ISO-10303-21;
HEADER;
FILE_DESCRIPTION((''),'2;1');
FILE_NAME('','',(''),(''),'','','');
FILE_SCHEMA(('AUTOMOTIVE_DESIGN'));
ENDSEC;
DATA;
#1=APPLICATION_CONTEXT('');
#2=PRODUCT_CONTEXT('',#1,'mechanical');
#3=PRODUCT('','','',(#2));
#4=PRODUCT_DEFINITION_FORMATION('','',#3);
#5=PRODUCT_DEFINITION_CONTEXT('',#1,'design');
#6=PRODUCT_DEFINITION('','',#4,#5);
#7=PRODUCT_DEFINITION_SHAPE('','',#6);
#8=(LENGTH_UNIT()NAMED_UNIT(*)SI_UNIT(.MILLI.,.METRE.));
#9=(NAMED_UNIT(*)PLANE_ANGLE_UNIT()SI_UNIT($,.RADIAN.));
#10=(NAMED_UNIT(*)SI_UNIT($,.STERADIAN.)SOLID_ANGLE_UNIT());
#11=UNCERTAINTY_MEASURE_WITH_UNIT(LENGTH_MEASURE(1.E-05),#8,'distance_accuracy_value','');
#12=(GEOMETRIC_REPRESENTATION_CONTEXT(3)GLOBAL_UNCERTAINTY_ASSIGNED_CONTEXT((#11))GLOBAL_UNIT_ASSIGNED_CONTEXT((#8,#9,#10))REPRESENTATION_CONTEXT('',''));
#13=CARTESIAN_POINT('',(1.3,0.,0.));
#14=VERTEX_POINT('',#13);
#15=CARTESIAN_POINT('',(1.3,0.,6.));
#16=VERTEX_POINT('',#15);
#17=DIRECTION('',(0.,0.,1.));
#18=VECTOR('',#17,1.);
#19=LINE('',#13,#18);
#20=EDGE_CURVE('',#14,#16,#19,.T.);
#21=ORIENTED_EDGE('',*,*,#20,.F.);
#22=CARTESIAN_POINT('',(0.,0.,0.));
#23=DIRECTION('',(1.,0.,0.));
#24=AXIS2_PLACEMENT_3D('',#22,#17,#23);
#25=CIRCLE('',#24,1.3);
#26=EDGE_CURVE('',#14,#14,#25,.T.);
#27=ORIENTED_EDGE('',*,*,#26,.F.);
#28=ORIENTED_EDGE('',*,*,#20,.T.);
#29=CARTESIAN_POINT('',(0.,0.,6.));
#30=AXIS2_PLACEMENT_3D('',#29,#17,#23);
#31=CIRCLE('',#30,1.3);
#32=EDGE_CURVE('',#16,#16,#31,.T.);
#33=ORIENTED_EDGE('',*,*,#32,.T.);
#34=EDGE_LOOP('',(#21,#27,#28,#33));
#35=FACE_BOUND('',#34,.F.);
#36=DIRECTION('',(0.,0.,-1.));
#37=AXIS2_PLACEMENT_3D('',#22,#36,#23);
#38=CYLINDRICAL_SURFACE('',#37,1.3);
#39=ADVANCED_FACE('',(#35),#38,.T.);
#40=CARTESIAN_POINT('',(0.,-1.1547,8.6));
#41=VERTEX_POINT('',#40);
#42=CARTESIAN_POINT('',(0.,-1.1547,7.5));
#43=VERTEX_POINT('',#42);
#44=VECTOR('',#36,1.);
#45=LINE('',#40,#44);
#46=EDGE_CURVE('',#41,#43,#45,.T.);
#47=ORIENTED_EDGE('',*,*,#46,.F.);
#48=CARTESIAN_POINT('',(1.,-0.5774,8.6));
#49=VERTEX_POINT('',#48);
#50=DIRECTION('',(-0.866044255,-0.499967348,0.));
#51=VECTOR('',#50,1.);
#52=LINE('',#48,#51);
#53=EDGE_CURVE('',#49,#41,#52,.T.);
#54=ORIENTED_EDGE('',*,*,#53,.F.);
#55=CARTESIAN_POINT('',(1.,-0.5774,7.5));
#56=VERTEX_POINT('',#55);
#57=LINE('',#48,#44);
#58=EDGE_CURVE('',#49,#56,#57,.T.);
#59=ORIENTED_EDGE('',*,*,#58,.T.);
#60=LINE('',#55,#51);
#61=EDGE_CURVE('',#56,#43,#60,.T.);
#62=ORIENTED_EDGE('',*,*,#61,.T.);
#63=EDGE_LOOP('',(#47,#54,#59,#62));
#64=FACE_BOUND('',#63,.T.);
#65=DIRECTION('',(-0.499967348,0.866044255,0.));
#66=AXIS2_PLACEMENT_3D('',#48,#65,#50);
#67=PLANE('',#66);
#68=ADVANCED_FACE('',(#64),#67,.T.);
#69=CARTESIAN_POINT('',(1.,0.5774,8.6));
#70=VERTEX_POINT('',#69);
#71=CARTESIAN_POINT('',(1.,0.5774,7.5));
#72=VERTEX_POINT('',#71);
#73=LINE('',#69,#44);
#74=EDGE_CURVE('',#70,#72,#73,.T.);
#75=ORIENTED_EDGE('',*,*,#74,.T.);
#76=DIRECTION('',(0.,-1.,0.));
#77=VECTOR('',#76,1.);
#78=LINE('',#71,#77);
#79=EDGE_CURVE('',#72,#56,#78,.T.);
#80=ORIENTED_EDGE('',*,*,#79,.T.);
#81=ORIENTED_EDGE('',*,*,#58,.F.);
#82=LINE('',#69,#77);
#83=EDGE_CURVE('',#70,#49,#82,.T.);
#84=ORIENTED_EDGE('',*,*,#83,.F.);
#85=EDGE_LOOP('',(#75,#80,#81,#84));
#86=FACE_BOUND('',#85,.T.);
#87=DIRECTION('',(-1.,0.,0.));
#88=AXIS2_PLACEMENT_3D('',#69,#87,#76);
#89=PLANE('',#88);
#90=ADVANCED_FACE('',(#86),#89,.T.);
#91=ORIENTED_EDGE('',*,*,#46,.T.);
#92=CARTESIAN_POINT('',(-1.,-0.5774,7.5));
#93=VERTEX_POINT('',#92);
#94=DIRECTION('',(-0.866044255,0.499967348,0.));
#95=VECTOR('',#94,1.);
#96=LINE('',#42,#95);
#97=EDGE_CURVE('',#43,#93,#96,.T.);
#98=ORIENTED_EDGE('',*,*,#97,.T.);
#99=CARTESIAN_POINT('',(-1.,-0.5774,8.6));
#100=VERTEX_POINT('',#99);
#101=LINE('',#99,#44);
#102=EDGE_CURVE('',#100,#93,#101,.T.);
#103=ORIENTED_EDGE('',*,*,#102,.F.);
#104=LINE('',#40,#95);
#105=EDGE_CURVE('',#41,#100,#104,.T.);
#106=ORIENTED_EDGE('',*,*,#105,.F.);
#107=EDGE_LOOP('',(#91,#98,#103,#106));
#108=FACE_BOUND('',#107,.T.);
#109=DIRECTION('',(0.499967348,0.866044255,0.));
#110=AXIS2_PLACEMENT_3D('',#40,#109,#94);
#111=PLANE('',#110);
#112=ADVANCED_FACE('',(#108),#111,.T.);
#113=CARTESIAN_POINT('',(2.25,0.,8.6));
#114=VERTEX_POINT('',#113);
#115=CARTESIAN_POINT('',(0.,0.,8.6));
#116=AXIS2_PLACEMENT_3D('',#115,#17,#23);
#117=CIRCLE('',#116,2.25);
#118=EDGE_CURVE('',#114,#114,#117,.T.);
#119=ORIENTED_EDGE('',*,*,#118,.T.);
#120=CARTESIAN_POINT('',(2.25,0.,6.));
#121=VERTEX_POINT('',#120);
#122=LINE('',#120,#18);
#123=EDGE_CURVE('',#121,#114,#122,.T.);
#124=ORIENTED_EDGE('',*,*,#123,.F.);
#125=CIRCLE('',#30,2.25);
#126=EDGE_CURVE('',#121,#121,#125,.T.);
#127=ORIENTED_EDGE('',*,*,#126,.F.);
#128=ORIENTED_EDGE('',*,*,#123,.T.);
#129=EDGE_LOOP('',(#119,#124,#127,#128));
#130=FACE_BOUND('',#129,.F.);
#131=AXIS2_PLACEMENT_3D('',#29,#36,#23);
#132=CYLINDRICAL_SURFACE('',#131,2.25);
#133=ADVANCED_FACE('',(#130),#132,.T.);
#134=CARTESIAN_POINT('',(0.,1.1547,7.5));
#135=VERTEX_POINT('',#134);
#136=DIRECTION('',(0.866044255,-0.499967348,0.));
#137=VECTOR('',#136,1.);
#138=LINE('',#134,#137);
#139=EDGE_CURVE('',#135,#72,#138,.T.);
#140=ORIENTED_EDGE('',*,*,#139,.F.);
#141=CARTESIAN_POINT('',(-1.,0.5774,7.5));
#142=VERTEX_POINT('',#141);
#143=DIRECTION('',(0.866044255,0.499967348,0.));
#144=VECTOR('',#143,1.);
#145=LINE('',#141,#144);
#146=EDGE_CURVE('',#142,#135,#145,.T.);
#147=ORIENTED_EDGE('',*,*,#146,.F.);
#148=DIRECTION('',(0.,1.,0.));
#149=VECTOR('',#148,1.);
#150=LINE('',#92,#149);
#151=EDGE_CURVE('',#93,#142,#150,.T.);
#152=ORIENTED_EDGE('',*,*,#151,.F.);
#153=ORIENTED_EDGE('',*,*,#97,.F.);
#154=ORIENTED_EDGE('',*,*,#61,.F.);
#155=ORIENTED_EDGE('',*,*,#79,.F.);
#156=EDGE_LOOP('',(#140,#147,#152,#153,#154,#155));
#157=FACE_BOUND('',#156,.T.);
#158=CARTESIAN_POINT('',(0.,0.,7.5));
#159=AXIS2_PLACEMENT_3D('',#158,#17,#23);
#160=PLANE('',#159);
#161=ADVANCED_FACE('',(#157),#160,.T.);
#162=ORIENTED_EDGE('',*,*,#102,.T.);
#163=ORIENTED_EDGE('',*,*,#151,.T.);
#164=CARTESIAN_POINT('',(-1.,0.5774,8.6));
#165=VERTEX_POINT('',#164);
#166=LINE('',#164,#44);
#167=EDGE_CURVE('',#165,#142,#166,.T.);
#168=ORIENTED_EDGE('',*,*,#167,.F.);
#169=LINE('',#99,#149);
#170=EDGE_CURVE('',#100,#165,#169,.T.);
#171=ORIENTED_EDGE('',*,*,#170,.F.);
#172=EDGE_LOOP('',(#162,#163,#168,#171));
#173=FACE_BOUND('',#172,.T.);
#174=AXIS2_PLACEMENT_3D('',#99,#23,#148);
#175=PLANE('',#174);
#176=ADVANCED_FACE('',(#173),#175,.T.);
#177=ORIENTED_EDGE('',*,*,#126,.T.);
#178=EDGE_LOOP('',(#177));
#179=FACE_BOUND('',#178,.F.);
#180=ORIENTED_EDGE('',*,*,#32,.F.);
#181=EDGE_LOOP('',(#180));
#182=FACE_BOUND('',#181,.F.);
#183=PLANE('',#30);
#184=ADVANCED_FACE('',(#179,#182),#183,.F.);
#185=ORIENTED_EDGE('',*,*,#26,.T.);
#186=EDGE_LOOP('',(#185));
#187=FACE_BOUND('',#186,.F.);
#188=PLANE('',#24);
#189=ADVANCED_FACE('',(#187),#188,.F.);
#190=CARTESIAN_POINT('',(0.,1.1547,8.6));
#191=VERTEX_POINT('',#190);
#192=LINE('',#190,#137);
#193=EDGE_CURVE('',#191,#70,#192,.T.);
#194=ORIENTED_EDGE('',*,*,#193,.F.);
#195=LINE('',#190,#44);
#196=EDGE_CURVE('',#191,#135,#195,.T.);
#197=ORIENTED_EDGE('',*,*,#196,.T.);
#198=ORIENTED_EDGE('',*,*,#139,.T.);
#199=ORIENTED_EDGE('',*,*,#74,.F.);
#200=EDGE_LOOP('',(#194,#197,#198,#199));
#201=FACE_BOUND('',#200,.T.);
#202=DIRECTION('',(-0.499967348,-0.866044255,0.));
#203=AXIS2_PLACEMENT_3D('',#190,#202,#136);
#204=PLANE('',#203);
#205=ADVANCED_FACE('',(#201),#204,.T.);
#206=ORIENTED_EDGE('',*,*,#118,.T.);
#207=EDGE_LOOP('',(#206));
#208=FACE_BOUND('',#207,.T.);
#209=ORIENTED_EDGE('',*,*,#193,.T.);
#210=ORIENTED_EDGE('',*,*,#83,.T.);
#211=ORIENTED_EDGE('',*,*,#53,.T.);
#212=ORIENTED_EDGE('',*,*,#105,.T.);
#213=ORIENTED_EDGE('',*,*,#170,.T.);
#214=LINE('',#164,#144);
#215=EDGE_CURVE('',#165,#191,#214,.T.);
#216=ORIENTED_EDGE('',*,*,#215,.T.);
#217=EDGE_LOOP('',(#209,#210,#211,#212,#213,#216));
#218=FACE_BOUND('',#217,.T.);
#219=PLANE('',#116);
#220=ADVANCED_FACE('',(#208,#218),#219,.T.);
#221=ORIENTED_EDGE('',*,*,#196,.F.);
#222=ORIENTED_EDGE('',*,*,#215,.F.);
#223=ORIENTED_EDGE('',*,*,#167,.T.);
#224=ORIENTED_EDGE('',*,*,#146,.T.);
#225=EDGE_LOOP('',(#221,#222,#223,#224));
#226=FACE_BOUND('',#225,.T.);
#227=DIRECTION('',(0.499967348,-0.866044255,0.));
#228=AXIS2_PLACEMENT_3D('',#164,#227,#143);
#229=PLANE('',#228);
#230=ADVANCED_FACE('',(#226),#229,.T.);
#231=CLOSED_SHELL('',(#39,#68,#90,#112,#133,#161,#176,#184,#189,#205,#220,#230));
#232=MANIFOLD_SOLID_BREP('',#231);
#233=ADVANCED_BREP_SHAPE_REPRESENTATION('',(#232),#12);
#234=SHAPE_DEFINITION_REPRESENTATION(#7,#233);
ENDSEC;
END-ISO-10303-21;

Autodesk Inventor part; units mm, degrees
ref_plane "YZ Plane" through (0, 0, 0) normal (1, 0, 0) x (0, 1, 0)
ref_plane "XZ Plane" through (0, 0, 0) normal (0, 1, 0) x (-1, 0, 0)
ref_plane "XY Plane" through (0, 0, 0) normal (0, 0, 1) x (1, 0, 0)
sketch "スケッチ1" plane through (0, 0, 0) normal (0, 0, 1) x (1, 0, 0)
  circle A0 centre (0, 0) radius 1.3
  dimension "d0" = 2.6
extrude "押し出し1" add sketch "スケッチ1" along normal blind 6
sketch "スケッチ2" plane through (0, 0, 6) normal (0, 0, 1) x (1, 0, 0)
  circle A0 centre (0, 0) radius 1.3 projected
  circle A1 centre (0, 0) radius 2.25
  dimension "d3" = 4.5
extrude "押し出し2" add sketch "スケッチ2" along normal blind 2.6 contours A0 | A1
sketch "スケッチ3" plane through (0, 0, 8.6) normal (0, 0, 1) x (1, 0, 0)
  circle A0 centre (0, 0) radius 2.25 projected
  circle A1 centre (0, 0) radius 1.3 projected
  line L0 (0, 1.1547) -> (1, 0.5774)
  line L1 (1, 0.5774) -> (1, -0.5774)
  line L2 (1, -0.5774) -> (0, -1.1547)
  line L3 (0, -1.1547) -> (-1, -0.5774)
  line L4 (-1, -0.5774) -> (-1, 0.5774)
  line L5 (-1, 0.5774) -> (0, 1.1547)
  dimension "d6" = 2
extrude "押し出し3" cut sketch "スケッチ3" against normal blind 1.1 contours L0 L1 L2 L3 L4 L5
thread "ねじ1" size "M2.6x0.45" class "6g" standard "ANSI Metric M Profile" full length
properties part number "m2.6 6mm キャップボルト" material "鋼"
